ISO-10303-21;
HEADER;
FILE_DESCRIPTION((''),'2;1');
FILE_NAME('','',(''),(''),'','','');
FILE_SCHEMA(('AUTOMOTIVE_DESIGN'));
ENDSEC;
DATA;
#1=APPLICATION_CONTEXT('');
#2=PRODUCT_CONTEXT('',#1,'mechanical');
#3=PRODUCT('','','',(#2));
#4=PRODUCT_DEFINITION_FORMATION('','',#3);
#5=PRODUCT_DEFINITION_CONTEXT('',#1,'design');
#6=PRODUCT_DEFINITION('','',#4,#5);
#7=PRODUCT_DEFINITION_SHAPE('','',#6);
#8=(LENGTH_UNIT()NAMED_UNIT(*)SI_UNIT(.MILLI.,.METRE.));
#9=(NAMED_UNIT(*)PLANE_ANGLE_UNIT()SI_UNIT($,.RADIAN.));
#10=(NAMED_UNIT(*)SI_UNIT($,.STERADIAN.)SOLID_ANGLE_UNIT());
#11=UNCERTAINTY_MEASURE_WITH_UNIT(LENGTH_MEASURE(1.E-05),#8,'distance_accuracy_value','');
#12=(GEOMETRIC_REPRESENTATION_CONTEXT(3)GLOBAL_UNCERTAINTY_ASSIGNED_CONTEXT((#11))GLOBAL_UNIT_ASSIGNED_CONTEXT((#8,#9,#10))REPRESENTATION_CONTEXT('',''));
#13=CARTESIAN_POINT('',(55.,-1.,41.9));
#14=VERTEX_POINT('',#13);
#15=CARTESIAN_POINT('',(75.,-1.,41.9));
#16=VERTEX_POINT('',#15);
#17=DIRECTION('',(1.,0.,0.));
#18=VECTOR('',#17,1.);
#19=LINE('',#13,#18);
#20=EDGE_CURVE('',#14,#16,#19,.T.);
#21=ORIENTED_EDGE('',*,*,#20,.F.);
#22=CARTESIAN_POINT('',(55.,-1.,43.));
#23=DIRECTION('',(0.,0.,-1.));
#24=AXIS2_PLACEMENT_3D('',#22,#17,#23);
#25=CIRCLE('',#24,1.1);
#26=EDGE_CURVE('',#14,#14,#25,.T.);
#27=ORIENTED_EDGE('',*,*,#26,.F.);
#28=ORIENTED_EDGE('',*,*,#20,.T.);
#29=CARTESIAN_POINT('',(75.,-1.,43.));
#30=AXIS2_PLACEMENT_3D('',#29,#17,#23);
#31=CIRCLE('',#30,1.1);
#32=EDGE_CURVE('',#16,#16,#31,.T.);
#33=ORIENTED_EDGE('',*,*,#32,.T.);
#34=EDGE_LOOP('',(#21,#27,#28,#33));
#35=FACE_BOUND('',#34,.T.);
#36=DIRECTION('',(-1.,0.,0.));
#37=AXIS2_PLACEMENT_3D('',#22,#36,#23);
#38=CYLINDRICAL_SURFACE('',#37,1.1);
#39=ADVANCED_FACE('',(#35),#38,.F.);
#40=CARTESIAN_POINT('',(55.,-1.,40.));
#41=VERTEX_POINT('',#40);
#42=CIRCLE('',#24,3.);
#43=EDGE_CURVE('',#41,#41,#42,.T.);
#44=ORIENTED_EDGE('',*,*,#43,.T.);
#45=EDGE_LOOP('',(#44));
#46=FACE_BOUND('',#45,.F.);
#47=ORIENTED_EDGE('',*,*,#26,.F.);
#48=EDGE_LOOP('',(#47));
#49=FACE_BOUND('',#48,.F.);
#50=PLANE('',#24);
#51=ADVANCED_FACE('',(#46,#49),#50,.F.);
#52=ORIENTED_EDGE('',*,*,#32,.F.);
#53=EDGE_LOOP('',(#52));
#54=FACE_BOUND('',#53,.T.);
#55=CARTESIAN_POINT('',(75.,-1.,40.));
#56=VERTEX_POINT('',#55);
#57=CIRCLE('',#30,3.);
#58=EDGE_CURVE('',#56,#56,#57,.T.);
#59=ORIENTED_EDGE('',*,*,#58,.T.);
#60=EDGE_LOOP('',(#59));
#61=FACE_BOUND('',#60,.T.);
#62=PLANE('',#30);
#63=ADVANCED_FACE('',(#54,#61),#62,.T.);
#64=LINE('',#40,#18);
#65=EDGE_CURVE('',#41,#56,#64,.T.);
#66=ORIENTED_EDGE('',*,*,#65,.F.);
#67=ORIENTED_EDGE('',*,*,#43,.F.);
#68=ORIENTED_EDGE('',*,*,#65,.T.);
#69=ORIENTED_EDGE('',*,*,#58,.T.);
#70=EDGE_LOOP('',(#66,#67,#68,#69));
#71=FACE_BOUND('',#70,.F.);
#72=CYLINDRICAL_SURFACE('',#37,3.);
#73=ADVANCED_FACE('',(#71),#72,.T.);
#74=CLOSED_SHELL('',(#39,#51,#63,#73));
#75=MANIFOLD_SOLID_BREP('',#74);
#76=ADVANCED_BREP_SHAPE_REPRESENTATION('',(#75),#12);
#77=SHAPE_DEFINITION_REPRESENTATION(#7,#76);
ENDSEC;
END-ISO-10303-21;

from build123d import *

# Parameters (mm, degrees)
HINGE_CYLMI_R     = 1.1
HINGE_CYLMI_DEPTH = 20
HINGE_CYLMO_R     = 3
HINGE_CYLMO_DEPTH = 20


with BuildPart() as hinge_cylmi:
    # hinge_cylmi → hinge_cylmi (new body)
    with BuildSketch(Plane(origin=(55, -1, 43), x_dir=(0, 0, -1), z_dir=(1, 0, 0))):
        Circle(HINGE_CYLMI_R)
    extrude(amount=HINGE_CYLMI_DEPTH)


with BuildPart() as hinge_middle:
    # hinge_cylmo → hinge_cylmo (new body)
    with BuildSketch(Plane(origin=(55, -1, 43), x_dir=(0, 0, -1), z_dir=(1, 0, 0))):
        Circle(HINGE_CYLMO_R)
    extrude(amount=HINGE_CYLMO_DEPTH)

    # hinge_middle: cut hinge_cylmi
    add(hinge_cylmi.part, mode=Mode.SUBTRACT)


solid = hinge_middle.part
